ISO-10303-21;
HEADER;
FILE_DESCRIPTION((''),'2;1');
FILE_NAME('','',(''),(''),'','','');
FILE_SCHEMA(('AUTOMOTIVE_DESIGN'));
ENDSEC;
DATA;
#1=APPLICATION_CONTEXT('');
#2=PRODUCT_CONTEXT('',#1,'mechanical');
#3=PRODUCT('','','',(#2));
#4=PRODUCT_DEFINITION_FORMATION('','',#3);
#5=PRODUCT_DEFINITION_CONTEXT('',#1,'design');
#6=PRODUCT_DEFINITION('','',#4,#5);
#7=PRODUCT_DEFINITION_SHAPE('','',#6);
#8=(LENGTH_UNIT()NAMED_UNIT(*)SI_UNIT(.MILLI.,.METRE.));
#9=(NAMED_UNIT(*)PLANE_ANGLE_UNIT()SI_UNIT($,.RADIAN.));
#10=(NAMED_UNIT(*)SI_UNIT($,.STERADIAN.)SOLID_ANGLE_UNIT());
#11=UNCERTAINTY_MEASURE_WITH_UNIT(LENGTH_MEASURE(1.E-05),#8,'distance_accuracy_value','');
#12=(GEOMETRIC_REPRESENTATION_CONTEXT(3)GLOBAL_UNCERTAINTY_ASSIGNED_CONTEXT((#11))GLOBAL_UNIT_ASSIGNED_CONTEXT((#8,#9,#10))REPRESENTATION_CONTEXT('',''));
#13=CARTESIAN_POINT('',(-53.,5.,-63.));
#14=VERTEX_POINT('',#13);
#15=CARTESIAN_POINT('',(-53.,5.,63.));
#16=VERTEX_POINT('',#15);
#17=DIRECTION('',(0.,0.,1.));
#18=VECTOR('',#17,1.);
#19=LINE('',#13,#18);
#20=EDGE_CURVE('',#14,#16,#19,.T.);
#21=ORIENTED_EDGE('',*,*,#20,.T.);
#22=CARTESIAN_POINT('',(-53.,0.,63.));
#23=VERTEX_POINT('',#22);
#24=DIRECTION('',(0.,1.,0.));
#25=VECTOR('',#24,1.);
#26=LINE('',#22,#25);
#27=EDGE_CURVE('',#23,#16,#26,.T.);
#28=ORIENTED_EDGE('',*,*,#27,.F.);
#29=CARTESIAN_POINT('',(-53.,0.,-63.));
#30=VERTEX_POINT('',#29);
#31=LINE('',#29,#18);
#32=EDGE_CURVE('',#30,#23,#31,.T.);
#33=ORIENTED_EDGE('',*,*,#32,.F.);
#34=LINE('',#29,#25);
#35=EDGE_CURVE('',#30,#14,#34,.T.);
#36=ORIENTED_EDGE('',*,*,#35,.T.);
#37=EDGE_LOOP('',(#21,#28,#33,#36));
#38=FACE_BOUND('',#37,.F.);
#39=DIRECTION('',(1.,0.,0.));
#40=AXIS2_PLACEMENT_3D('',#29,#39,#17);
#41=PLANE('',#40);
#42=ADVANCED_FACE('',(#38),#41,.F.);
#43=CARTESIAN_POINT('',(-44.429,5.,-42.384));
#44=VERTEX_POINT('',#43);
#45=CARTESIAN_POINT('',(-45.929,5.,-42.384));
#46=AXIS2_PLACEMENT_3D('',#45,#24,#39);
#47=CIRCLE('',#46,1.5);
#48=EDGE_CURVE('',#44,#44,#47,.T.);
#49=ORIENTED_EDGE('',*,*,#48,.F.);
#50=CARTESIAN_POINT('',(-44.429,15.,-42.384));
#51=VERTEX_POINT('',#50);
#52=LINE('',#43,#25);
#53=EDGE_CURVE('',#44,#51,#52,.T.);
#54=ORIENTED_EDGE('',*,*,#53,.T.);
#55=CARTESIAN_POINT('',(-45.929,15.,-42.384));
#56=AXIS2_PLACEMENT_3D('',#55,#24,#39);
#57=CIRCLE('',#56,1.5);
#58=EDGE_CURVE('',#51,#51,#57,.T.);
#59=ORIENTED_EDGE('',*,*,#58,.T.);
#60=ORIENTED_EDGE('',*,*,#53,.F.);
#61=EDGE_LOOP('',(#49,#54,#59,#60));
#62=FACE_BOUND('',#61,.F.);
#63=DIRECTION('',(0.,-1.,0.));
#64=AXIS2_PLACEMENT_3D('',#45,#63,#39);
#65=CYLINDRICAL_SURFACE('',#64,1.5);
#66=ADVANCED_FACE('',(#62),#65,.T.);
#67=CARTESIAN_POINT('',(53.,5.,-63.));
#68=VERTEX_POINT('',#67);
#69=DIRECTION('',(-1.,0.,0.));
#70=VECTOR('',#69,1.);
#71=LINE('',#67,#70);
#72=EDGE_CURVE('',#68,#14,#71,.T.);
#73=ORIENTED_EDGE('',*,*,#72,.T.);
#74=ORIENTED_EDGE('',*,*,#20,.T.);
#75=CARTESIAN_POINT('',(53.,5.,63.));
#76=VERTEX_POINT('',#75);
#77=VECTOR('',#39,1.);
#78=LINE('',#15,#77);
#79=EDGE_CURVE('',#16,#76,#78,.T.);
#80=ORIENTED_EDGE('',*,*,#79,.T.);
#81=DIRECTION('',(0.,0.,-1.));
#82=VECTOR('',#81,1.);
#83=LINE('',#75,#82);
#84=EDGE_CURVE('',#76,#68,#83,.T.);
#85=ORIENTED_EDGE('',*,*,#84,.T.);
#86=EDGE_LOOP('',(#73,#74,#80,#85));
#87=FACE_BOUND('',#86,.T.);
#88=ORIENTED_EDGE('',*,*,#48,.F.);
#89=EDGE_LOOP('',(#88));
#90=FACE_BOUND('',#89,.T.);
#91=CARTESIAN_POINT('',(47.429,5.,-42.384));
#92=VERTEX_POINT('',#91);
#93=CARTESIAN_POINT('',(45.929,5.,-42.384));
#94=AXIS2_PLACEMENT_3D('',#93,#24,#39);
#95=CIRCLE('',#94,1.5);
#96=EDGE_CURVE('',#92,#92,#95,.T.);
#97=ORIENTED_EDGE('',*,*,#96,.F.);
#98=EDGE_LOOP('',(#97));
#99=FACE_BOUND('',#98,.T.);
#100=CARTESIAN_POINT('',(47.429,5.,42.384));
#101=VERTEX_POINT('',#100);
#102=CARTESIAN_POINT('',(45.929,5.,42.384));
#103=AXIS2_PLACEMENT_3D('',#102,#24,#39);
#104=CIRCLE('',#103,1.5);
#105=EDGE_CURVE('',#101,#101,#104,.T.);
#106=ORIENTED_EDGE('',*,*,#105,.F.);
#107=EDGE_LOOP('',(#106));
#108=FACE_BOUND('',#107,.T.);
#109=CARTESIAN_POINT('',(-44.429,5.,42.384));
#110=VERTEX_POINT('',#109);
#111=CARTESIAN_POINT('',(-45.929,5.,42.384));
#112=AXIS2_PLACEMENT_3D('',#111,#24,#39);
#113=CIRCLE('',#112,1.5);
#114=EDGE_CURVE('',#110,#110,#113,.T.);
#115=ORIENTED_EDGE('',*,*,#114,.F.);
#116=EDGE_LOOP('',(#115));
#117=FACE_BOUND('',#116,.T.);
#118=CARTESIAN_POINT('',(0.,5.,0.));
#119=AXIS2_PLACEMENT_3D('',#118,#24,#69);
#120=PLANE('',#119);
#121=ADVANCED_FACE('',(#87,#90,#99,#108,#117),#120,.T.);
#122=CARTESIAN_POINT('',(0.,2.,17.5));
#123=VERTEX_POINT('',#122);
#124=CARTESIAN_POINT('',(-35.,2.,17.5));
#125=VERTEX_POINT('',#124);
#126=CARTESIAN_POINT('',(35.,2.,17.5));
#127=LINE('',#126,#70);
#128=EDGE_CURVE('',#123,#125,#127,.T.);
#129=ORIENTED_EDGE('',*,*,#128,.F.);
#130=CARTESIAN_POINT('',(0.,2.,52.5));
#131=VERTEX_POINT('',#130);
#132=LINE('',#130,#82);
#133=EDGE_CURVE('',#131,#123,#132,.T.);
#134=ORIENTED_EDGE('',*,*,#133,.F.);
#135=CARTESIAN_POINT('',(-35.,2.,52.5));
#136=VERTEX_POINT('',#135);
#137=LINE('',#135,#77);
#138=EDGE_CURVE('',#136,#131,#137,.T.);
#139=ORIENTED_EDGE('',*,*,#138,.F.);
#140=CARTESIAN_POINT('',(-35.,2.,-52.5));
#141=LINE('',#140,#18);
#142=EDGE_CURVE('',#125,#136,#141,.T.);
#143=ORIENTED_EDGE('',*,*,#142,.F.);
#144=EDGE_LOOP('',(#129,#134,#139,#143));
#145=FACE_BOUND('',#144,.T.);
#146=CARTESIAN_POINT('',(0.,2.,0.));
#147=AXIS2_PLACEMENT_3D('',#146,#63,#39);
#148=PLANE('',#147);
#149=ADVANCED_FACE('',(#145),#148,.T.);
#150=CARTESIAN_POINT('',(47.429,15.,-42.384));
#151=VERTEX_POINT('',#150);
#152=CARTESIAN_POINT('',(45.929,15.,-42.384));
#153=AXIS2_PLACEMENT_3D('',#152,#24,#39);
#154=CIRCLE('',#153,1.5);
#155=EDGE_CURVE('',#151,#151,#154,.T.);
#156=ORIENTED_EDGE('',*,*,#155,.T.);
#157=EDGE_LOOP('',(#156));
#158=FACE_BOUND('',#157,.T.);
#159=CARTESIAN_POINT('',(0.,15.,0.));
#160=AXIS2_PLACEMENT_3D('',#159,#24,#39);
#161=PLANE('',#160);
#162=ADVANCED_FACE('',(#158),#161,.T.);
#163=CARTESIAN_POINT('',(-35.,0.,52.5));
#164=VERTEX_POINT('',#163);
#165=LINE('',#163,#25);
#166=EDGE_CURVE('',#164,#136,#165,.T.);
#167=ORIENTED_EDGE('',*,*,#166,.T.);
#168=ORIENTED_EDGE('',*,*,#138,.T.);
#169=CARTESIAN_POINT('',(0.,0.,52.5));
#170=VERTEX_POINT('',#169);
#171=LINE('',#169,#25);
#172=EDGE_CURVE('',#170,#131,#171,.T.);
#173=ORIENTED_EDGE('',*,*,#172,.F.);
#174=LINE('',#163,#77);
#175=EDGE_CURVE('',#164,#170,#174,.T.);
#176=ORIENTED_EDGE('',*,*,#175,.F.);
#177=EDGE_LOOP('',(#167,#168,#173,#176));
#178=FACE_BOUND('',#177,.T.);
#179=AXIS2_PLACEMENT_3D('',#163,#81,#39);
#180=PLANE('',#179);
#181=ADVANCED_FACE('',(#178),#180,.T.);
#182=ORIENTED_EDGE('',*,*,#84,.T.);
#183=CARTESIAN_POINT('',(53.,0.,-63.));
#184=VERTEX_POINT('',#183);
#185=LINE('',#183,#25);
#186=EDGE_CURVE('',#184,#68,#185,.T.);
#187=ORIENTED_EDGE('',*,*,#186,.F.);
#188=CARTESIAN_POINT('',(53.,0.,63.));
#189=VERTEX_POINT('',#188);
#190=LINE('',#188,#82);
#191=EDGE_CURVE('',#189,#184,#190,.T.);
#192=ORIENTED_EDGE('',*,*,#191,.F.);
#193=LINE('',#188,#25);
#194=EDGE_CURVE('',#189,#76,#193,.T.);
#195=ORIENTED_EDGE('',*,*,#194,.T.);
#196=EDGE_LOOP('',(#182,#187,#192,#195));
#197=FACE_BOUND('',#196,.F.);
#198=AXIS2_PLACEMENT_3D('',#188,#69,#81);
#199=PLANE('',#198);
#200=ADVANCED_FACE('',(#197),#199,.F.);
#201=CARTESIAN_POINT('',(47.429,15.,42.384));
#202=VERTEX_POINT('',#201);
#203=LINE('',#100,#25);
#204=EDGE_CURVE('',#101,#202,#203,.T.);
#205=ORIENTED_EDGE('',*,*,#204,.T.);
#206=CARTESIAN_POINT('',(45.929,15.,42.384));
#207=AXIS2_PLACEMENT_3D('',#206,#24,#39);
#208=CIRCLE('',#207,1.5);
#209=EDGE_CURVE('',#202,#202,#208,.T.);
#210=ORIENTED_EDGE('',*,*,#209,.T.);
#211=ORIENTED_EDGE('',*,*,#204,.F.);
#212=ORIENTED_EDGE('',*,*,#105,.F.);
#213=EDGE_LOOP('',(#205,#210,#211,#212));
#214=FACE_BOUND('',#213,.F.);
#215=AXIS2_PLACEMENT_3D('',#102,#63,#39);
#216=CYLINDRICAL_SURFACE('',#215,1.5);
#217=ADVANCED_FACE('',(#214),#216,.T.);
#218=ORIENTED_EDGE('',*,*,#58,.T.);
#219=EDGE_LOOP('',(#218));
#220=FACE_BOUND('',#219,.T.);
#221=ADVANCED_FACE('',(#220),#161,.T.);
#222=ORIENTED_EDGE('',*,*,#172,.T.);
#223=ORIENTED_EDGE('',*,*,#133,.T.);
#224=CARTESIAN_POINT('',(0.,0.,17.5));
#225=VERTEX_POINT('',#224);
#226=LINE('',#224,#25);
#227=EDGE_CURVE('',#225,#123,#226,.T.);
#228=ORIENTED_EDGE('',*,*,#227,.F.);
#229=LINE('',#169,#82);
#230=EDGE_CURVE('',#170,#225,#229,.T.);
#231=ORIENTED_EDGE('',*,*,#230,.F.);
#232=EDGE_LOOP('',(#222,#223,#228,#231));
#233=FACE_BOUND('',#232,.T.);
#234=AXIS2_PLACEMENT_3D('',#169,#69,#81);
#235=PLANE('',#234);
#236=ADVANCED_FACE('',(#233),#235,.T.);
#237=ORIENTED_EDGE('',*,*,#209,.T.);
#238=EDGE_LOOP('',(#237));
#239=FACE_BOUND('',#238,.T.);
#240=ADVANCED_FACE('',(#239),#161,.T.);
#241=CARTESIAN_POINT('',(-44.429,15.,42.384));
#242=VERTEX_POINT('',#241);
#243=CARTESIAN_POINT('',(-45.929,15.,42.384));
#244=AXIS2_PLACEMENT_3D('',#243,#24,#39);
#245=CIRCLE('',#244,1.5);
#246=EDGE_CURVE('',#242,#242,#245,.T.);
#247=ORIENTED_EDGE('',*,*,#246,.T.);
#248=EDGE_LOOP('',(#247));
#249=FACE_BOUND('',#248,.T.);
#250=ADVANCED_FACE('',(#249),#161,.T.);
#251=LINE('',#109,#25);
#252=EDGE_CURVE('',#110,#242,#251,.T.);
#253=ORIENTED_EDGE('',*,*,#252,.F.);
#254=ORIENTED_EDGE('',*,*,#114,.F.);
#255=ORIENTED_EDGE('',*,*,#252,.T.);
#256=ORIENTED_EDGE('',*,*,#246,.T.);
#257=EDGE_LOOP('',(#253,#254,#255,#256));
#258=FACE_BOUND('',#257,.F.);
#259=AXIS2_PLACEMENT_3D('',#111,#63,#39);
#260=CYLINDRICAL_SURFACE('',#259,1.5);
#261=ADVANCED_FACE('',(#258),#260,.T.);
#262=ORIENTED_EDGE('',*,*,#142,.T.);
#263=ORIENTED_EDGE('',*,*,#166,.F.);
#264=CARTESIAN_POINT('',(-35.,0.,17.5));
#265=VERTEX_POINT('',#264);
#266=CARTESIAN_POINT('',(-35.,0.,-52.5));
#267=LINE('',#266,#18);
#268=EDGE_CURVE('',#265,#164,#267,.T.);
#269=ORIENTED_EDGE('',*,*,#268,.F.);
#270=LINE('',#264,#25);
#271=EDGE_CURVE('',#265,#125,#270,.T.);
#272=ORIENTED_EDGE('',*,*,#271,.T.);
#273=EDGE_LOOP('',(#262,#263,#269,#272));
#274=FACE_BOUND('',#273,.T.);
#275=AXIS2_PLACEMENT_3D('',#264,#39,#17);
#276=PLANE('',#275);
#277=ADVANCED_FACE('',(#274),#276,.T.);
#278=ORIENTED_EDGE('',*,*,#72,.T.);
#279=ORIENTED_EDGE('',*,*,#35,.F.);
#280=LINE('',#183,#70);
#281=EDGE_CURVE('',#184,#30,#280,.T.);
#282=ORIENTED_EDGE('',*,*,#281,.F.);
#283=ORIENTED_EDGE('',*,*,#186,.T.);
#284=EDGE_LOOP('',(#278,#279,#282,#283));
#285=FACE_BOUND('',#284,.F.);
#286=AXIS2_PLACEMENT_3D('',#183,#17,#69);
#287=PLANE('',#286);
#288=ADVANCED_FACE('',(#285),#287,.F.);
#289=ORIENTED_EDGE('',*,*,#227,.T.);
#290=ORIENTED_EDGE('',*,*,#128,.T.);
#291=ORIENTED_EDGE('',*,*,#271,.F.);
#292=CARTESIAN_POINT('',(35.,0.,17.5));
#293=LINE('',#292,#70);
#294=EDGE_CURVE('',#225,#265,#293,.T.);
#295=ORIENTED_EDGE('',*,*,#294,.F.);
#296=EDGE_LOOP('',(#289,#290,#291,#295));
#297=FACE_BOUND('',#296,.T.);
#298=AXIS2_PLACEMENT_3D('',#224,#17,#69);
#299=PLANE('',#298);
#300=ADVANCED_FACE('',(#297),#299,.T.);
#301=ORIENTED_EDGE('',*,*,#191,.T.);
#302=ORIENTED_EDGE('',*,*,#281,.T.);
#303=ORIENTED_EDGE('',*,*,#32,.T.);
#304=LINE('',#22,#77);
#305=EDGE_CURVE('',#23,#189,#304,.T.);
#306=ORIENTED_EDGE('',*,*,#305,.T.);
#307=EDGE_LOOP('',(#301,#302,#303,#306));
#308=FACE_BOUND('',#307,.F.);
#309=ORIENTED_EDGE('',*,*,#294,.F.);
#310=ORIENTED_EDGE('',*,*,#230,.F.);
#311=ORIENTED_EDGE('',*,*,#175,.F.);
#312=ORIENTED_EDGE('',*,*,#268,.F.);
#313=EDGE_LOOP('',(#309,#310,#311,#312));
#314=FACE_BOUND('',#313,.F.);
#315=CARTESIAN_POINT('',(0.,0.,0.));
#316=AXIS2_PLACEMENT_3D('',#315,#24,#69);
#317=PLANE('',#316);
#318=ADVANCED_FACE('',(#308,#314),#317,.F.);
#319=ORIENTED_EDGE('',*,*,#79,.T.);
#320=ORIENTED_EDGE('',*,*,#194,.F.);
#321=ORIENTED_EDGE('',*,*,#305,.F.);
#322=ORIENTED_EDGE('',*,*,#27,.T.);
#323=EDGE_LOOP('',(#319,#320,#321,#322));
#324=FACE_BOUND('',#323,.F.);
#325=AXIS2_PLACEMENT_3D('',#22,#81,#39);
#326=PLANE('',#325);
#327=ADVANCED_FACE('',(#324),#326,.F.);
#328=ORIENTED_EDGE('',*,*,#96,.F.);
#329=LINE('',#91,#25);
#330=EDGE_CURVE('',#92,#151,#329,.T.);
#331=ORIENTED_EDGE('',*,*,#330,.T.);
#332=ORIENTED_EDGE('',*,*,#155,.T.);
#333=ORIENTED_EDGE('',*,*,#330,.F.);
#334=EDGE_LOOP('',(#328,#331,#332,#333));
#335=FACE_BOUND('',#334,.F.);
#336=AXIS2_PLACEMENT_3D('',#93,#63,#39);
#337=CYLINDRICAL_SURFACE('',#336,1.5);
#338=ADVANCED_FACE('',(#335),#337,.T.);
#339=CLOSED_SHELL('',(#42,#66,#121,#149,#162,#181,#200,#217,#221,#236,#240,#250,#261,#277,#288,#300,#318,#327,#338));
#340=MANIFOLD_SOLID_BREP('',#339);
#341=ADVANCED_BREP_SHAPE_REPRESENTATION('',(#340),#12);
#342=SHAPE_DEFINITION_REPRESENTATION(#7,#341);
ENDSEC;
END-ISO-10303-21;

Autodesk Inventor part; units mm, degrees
ref_plane "YZ Plane" through (0, 0, 0) normal (1, 0, 0) x (0, 1, 0)
ref_plane "XZ Plane" through (0, 0, 0) normal (0, 1, 0) x (-1, 0, 0)
ref_plane "XY Plane" through (0, 0, 0) normal (0, 0, 1) x (1, 0, 0)
sketch "Boceto1" plane through (0, 0, 0) normal (0, 1, 0) x (-1, 0, 0)
  line L0 (53, 63) -> (-53, 63)
  line L1 (-53, 63) -> (-53, -63)
  line L2 (-53, -63) -> (53, -63)
  line L3 (53, -63) -> (53, 63)
  point P0 (0, 0)
  point P1 (0, 63)
  dimension "d1" = 106
  dimension "d2" = 126
  dimension "d3" = 53
  dimension "d4" = 63
extrude "Extrusión1" add sketch "Boceto1" along normal blind 5
sketch "Boceto2" plane through (0, 5, 0) normal (0, 1, 0) x (1, 0, 0)
  circle A0 centre (-45.929, -42.384) radius 1.5
  line L0 (-53, -63) -> (53, -63) projected
  line L1 (-53, 63) -> (-53, -63) projected
  line L2 (-81, 0) -> (77, 0)
  line L3 (0, -130) -> (0, 128)
  circle A1 centre (-45.929, 42.384) radius 1.5
  line L4 (-53, -63) -> (-53, 63)
  circle A2 centre (45.929, -42.384) radius 1.5
  circle A3 centre (45.929, 42.384) radius 1.5
  point P0 (0, 0)
  dimension "d7" = 3
  dimension "d8" = 20.616
  dimension "d9" = 7.071
extrude "Extrusión2" add sketch "Boceto2" along normal blind 10 contours A0 | A1 | A2 | A3
sketch "Boceto3" plane through (0, 0, 0) normal (0, -1, 0) x (1, 0, 0)
  line L0 (-35, 52.5) -> (35, 52.5)
  line L1 (35, 52.5) -> (35, -52.5)
  line L2 (35, -52.5) -> (-35, -52.5)
  line L3 (-35, -52.5) -> (-35, 52.5)
  line L4 (53, -63) -> (-53, -63) projected
  line L5 (-53, 63) -> (53, 63) projected
  line L6 (53, 63) -> (53, -63) projected
  line L7 (-53, -63) -> (-53, 63) projected
  line L8 (35, 17.5) -> (-35, 17.5)
  line L9 (35, -17.5) -> (-35, -17.5)
  line L10 (0, 52.5) -> (0, -52.5)
  point P0 (0, 0)
  point P1 (0, 17.5)
  dimension "d12" = 52.5
  dimension "d13" = 126
  dimension "d14" = 106
  dimension "d15" = 52.5
  dimension "d16" = 35
  dimension "d17" = 35
  dimension "d18" = 35
  dimension "d19" = 35
  dimension "d20" = 35
extrude "Extrusión3" cut sketch "Boceto3" against normal blind 2 contours L0 L10 L8 L3
properties part number "Tapa 0"
